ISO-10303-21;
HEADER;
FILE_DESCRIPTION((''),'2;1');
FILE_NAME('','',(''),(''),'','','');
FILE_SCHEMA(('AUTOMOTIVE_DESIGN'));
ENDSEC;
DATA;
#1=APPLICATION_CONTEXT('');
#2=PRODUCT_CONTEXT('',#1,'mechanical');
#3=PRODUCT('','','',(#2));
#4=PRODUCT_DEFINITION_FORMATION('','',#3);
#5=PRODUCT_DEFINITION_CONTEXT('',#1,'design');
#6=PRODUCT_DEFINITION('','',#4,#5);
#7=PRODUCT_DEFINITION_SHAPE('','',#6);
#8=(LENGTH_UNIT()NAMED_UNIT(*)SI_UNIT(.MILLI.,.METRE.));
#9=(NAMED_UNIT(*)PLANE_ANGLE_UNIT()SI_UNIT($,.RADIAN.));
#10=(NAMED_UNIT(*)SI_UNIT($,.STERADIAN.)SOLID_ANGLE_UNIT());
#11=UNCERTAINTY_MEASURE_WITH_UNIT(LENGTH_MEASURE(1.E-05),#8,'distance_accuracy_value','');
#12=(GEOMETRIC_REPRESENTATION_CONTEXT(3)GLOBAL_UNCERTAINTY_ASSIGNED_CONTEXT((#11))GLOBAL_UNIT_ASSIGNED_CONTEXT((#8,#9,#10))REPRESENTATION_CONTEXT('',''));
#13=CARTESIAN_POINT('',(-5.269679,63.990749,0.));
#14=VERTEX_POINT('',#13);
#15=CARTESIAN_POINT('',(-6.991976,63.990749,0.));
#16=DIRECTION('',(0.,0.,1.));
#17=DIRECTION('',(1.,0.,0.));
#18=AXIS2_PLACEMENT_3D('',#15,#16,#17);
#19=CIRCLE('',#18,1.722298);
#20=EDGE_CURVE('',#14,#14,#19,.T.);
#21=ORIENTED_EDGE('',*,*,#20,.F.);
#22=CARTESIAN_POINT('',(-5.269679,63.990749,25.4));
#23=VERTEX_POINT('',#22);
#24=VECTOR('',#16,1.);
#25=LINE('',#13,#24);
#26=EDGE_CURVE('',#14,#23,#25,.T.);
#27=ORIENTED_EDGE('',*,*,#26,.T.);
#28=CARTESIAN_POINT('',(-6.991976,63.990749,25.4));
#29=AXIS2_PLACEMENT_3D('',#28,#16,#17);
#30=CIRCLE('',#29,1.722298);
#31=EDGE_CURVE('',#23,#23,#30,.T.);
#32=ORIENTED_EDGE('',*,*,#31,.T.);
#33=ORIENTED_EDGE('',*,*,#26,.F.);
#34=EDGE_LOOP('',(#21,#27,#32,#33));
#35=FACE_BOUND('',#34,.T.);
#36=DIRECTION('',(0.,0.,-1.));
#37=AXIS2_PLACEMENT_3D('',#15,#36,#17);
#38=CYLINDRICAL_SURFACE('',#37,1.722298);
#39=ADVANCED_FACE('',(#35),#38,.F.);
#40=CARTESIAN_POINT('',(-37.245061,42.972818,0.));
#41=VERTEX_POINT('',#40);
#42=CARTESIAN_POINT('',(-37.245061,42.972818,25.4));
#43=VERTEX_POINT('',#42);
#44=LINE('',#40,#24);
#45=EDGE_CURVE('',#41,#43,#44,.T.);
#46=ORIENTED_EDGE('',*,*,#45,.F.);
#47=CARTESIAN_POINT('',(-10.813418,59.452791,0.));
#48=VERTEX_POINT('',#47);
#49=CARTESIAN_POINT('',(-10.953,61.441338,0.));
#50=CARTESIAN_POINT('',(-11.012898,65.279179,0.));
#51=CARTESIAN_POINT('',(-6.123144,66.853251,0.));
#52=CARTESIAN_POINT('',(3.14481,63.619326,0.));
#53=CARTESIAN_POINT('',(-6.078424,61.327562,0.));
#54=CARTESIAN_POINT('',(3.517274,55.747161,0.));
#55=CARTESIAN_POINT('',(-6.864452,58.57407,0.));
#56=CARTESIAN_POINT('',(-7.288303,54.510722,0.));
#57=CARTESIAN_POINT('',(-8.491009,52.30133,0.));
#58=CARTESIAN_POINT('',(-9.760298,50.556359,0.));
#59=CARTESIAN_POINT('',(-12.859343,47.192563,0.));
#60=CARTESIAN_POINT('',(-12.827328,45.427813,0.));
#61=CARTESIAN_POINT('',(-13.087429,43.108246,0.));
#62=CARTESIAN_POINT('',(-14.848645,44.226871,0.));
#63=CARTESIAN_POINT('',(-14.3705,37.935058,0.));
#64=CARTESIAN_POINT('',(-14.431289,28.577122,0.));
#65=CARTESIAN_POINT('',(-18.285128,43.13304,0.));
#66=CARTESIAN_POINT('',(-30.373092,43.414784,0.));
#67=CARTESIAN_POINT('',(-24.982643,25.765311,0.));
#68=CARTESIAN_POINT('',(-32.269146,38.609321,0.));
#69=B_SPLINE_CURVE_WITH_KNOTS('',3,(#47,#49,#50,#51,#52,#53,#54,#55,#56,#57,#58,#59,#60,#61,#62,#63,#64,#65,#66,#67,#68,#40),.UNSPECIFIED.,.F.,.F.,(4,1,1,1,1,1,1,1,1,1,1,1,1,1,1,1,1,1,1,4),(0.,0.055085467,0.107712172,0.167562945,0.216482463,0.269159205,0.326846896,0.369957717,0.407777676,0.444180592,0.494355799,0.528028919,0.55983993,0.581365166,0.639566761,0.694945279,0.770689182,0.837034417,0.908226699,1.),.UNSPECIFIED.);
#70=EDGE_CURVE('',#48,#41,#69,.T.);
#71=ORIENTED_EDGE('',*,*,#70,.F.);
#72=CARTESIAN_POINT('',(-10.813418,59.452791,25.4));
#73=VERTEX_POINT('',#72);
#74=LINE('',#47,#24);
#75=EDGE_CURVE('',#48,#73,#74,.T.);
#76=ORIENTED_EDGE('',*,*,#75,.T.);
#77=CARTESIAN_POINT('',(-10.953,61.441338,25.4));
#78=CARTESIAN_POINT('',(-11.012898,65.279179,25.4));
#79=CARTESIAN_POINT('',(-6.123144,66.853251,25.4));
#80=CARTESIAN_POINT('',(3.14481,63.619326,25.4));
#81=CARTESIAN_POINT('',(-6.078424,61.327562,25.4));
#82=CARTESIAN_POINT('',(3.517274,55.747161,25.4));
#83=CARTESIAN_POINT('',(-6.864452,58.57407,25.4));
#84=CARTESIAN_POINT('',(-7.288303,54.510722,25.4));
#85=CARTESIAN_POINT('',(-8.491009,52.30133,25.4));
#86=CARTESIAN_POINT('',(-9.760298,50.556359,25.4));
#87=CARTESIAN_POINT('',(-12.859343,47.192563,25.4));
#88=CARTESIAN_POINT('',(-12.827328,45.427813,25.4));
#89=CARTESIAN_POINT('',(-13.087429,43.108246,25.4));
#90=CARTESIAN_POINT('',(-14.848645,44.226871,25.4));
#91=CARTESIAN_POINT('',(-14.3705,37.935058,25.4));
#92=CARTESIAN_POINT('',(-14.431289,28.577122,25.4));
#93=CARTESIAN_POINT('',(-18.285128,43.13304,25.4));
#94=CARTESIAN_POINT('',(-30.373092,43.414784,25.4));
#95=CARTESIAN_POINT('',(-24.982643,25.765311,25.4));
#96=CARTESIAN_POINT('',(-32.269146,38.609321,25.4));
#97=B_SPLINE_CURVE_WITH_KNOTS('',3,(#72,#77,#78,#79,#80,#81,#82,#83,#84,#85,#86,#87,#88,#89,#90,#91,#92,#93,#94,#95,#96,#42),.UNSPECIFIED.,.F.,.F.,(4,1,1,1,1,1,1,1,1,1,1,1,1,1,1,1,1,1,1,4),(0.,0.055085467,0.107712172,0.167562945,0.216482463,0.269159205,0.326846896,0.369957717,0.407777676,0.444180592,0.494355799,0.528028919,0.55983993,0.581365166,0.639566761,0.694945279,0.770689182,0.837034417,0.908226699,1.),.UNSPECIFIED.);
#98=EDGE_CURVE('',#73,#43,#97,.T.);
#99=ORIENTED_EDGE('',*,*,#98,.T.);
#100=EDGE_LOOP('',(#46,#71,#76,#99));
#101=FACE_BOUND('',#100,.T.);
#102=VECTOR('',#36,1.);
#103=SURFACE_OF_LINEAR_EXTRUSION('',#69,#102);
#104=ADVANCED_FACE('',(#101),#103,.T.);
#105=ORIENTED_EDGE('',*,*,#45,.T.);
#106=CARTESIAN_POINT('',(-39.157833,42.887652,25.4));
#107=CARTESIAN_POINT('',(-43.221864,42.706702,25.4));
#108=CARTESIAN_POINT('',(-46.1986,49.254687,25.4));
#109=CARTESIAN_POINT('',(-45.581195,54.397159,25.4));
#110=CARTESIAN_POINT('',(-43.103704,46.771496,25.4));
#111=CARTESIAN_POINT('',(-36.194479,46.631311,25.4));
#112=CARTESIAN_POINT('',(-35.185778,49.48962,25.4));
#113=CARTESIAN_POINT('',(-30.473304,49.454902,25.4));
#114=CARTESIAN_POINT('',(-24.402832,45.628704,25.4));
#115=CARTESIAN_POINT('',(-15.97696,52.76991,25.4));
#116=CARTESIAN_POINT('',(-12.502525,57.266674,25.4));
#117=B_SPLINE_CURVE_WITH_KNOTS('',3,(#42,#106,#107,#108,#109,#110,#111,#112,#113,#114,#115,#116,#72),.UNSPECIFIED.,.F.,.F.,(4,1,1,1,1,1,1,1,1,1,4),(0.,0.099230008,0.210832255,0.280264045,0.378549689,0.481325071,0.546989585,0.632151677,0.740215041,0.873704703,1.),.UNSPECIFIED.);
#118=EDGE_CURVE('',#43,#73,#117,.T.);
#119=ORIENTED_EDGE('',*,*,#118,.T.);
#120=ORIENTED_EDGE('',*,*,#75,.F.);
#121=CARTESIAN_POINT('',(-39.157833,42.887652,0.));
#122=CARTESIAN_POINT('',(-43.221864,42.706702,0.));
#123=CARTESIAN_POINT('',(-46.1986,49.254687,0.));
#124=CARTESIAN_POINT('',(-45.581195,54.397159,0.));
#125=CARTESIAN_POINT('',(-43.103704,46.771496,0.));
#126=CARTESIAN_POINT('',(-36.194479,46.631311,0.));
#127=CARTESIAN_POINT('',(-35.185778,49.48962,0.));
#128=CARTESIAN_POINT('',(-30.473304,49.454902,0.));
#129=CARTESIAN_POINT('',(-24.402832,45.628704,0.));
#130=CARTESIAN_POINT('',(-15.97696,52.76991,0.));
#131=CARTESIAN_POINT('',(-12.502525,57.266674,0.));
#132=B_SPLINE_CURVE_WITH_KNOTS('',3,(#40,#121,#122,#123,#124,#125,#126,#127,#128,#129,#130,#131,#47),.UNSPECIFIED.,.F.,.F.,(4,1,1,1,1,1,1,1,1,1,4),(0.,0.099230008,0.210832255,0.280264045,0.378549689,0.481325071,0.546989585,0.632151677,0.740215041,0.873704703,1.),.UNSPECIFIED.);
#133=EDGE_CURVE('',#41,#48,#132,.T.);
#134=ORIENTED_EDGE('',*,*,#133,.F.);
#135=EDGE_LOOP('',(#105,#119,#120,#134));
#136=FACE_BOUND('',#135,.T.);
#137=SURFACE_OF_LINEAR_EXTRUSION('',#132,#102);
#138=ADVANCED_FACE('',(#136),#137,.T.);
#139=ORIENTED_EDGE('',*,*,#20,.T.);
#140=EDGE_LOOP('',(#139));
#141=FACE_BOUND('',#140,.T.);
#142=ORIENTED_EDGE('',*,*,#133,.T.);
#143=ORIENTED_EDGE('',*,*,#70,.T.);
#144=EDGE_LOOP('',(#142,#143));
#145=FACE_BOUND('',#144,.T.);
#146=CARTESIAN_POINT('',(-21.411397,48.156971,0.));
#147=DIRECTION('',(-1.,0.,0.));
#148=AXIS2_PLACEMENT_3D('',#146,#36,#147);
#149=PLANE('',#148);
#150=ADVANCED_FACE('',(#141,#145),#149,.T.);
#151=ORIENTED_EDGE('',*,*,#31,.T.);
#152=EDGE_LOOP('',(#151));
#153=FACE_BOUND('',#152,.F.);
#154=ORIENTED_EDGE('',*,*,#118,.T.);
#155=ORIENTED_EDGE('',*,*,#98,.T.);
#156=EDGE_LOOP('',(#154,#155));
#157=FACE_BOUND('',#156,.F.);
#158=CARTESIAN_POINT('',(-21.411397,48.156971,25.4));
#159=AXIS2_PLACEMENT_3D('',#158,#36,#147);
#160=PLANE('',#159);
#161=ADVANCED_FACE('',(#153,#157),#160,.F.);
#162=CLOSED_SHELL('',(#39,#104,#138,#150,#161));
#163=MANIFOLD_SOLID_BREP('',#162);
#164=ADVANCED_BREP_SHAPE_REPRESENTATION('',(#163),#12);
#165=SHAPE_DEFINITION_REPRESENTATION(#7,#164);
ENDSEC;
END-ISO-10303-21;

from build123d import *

# Parameters (mm, degrees)
F0_R     = 1.7222976854
F1_DEPTH = 25.4


with BuildPart() as f1:
    # F0 (on Top) → F1 (new body)
    with BuildSketch(Plane.XY):
        with BuildLine():
            add(Edge.make_bspline(
                [(-37.2450612485, 42.972818017), (-39.1578326506, 42.8876521378), (-43.221864437, 42.7067016908), (-46.1986002104, 49.2546874747), (-45.5811945333, 54.3971591239), (-43.1037040028, 46.7714958957), (-36.1944793826, 46.6313110027), (-35.1857778327, 49.4896200544), (-30.4733043692, 49.4549020297), (-24.4028317716, 45.6287044119), (-15.9769598787, 52.7699101784), (-12.502525393, 57.2666743428), (-10.8134178445, 59.452790767)],
                knots=[0, 0, 0, 0, 0.0992300084, 0.2108322552, 0.2802640446, 0.3785496888, 0.4813250713, 0.5469895848, 0.6321516765, 0.740215041, 0.873704703, 1, 1, 1, 1], degree=3))
            add(Edge.make_bspline(
                [(-10.8134178445, 59.452790767), (-10.9529996375, 61.4413375593), (-11.0128983539, 65.279178806), (-6.123144065, 66.8532510138), (3.1448102058, 63.6193260063), (-6.0784241582, 61.327562282), (3.5172740781, 55.7471612622), (-6.8644515604, 58.5740699243), (-7.2883030423, 54.5107215983), (-8.4910088263, 52.3013297522), (-9.7602980321, 50.556359078), (-12.8593425015, 47.192563049), (-12.8273282388, 45.4278125919), (-13.0874286501, 43.1082462621), (-14.8486447504, 44.2268714066), (-14.3705002438, 37.9350580951), (-14.4312894522, 28.5771218429), (-18.2851276055, 43.1330400179), (-30.3730919412, 43.414784329), (-24.9826432681, 25.7653106808), (-32.2691456446, 38.6093214725), (-37.2450612485, 42.972818017)],
                knots=[0, 0, 0, 0, 0.0550854667, 0.107712172, 0.167562945, 0.2164824635, 0.2691592053, 0.3268468963, 0.3699577174, 0.4077776758, 0.4441805916, 0.4943557988, 0.5280289191, 0.5598399303, 0.5813651657, 0.6395667605, 0.6949452786, 0.7706891823, 0.8370344175, 0.9082266985, 1, 1, 1, 1], degree=3))
        make_face()
        with Locations((-6.9919764064, 63.9907494187)):
            Circle(F0_R, mode=Mode.SUBTRACT)
    extrude(amount=F1_DEPTH)


solid = f1.part
